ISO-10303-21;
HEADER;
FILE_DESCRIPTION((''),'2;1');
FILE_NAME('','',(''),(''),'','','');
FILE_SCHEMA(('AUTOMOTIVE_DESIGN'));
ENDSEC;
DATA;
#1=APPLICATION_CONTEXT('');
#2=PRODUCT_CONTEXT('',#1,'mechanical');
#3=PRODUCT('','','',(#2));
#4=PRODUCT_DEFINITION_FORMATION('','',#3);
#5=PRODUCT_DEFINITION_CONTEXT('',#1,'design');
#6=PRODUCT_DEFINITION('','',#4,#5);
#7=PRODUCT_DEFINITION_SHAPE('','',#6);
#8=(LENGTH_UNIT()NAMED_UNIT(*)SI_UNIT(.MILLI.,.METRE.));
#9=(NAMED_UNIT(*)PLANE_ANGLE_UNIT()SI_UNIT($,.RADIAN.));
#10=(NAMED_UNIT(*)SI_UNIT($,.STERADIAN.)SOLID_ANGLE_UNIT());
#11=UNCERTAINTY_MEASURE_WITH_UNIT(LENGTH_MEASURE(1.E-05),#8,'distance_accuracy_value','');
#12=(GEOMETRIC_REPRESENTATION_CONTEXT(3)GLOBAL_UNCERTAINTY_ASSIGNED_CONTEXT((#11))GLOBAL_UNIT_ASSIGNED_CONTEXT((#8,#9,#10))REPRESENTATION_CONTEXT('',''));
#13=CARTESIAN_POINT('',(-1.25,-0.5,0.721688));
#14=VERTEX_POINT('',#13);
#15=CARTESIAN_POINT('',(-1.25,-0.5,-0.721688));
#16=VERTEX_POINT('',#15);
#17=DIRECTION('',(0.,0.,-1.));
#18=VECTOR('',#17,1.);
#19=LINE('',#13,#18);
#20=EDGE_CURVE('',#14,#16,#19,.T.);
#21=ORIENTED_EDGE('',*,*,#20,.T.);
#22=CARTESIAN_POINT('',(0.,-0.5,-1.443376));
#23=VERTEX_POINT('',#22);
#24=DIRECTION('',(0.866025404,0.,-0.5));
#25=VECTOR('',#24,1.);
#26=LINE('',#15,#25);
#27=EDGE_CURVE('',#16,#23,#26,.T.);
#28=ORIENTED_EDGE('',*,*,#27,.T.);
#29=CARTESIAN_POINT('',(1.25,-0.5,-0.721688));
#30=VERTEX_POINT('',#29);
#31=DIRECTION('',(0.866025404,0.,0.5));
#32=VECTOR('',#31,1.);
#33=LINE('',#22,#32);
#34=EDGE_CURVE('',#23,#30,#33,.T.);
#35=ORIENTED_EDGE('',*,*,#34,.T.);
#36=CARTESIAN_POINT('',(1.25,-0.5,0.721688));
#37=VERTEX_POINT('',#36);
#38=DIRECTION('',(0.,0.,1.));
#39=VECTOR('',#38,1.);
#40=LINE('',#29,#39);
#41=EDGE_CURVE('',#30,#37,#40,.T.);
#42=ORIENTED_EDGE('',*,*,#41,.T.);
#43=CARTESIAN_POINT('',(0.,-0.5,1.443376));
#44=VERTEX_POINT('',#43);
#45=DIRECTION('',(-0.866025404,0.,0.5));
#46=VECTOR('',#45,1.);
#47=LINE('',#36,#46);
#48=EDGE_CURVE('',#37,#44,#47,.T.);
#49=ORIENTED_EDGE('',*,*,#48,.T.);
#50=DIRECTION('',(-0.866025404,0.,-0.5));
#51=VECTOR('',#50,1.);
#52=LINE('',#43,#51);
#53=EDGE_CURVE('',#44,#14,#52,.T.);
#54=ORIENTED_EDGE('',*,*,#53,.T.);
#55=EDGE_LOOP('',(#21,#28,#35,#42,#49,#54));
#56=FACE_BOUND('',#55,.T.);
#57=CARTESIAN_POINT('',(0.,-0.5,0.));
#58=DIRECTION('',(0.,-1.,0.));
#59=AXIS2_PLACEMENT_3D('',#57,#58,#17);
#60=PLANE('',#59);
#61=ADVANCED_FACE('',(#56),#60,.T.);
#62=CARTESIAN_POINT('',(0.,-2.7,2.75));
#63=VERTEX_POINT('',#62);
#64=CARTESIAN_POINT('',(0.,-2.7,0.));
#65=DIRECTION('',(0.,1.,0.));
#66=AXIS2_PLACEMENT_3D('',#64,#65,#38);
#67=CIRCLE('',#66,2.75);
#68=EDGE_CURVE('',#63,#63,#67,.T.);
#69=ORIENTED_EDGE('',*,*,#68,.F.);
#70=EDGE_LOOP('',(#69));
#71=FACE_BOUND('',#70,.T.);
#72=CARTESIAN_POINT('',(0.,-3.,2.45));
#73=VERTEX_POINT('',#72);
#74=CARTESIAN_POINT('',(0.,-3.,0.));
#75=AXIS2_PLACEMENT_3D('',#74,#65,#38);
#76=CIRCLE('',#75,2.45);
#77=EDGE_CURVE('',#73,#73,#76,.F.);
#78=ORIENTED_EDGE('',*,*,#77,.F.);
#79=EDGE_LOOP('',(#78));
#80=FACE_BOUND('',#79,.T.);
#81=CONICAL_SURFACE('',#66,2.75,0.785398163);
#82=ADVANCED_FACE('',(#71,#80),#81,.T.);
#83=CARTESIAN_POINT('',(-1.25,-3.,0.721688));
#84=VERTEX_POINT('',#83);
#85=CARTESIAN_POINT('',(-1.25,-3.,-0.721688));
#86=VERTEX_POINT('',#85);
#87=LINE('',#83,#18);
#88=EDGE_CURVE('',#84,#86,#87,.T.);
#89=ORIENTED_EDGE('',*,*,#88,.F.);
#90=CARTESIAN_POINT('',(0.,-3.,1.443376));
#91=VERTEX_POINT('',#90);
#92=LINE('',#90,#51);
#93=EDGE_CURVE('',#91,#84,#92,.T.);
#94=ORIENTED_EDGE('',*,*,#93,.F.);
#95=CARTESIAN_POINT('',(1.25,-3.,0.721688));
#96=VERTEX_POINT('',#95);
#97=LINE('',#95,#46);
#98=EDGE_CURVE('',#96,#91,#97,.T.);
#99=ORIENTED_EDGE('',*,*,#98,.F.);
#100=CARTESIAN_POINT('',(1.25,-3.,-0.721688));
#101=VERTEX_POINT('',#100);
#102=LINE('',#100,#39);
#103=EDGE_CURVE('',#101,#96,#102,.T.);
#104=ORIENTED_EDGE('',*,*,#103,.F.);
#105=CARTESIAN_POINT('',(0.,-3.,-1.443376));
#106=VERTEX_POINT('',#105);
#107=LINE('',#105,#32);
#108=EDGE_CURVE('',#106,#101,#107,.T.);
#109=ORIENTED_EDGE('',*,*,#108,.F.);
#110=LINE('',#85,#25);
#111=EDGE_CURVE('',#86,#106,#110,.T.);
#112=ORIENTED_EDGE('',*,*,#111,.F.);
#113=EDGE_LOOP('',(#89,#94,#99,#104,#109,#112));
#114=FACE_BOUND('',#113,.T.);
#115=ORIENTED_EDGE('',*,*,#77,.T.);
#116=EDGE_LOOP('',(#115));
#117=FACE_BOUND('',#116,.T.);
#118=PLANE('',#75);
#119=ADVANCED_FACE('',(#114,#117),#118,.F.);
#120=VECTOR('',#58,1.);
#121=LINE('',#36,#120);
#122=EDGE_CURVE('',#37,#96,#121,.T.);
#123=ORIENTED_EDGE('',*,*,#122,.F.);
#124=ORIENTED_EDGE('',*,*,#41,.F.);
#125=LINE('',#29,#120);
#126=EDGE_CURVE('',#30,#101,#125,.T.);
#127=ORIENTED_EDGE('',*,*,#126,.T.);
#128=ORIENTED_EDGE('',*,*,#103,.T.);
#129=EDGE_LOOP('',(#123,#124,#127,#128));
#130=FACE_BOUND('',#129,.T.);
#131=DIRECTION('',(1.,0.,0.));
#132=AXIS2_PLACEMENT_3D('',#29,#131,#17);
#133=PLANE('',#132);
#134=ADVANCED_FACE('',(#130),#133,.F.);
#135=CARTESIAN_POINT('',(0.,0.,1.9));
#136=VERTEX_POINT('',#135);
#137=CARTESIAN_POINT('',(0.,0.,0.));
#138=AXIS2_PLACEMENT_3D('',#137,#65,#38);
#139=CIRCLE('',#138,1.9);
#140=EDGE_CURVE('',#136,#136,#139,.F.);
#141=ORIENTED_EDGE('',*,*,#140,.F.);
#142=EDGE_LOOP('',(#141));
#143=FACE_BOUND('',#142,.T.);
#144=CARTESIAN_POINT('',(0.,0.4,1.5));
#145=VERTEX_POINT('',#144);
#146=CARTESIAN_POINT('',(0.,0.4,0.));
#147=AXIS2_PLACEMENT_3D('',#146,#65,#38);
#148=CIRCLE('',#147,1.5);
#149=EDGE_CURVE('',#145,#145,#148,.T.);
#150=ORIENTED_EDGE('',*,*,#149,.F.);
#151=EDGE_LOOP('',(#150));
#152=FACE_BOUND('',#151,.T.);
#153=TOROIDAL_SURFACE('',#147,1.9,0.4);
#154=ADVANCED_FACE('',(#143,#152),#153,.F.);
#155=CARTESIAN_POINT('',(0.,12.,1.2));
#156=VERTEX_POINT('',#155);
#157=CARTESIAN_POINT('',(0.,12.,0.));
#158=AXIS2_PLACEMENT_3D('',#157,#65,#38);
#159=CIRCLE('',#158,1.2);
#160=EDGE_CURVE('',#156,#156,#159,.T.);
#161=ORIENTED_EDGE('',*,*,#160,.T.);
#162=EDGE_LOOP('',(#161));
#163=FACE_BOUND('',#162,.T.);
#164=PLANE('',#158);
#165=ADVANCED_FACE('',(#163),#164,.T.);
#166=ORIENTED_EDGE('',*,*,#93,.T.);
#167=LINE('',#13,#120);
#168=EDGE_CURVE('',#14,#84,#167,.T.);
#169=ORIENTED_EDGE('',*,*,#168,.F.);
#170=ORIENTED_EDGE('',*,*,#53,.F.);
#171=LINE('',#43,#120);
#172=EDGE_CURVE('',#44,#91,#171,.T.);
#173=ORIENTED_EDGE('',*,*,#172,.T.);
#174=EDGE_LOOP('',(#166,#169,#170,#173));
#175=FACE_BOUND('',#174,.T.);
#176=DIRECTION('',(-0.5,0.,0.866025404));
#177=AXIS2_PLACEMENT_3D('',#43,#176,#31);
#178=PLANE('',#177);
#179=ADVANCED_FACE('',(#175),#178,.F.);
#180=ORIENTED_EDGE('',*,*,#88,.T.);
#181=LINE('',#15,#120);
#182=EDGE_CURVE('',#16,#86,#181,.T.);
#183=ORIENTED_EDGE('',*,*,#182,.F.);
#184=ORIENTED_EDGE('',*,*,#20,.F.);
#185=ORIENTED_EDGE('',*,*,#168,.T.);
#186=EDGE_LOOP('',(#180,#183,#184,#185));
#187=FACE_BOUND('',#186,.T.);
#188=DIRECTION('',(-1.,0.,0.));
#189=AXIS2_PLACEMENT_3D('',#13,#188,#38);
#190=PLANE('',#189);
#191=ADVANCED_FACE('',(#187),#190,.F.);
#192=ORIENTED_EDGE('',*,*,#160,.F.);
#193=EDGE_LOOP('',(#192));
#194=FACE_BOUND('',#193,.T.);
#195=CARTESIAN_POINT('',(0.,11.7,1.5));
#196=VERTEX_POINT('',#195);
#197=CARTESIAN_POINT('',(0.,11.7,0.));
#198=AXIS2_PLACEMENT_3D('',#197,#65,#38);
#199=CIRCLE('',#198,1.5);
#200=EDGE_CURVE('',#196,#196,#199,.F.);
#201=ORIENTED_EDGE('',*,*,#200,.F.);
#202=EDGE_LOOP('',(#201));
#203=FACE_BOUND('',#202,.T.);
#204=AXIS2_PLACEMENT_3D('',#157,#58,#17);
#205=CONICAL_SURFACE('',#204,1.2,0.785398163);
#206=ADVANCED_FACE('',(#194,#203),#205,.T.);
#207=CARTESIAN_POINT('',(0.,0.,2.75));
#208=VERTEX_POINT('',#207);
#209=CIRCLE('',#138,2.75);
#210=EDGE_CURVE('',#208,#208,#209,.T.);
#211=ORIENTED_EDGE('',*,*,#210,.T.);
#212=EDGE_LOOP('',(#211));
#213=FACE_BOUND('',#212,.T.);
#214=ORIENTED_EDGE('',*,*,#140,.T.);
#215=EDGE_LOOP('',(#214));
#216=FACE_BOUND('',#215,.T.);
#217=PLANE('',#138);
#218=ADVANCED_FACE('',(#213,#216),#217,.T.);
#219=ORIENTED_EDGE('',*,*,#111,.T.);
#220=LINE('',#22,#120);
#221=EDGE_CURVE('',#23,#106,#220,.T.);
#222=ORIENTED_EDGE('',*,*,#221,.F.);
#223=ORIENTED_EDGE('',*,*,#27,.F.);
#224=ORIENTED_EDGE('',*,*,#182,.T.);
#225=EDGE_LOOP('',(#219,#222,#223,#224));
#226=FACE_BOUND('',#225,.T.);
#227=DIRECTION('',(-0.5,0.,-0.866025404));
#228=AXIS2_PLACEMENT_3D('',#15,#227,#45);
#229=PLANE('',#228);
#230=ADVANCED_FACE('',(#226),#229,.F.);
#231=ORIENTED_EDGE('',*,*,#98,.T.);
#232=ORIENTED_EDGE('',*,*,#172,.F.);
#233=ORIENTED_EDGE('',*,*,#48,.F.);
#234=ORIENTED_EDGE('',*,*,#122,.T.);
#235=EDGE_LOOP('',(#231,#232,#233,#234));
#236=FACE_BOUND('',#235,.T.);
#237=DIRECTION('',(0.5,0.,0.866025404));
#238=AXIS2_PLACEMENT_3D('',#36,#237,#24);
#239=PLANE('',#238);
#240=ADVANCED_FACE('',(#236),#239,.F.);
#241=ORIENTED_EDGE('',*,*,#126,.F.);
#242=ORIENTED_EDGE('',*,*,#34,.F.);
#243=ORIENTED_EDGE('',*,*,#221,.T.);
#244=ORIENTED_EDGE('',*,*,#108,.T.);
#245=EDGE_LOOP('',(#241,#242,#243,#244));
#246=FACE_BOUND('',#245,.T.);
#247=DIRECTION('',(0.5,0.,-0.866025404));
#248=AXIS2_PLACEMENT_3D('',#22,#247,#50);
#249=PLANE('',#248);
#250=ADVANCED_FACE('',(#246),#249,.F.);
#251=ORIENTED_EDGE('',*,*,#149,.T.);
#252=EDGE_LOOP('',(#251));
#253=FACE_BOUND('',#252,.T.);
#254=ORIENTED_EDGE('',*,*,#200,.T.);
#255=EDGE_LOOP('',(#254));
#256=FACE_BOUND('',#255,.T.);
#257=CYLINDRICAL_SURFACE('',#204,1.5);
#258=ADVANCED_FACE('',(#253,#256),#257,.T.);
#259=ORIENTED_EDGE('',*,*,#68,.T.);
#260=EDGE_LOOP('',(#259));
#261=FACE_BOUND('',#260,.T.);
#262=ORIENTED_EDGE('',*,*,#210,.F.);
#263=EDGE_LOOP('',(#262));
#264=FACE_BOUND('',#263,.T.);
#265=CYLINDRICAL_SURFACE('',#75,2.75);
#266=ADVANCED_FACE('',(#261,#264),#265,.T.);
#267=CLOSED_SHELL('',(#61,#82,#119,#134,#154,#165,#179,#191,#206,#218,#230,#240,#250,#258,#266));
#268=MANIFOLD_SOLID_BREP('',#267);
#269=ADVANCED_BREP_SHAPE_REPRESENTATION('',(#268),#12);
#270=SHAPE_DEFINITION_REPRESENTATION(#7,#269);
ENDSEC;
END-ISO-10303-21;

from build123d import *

# Parameters (mm, degrees)
SKETCH2_R           = 1.5
BOSS_EXTRUDE1_DEPTH = 12
SKETCH3_R           = 2.75
BOSS_EXTRUDE2_DEPTH = 3
FILLET1_R           = 0.4
CHAMFER1_SIZE       = 0.3
CUT_EXTRUDE1_DEPTH  = 2.5


with BuildPart() as part:
    # Sketch2 → Boss-Extrude1 (new body)
    with BuildSketch(Plane(origin=(0, 0, 0), x_dir=(1, 0, 0), z_dir=(0, 1, 0))):
        with Locations(Location((0, 0, 0), (0, 0, 270))):
            Circle(SKETCH2_R)
    extrude(amount=BOSS_EXTRUDE1_DEPTH)

    # Sketch3 → Boss-Extrude2 (add)
    with BuildSketch(Plane(origin=(0, 0, 0), x_dir=(1, 0, 0), z_dir=(0, 1, 0))):
        with Locations(Location((0, 0, 0), (0, 0, 270))):
            Circle(SKETCH3_R)
    extrude(amount=-BOSS_EXTRUDE2_DEPTH)

    # Fillet1
    fillet1_edges = [part.edges().sort_by_distance(p)[0] for p in [
        (0, 0, -1.5),
    ]]
    fillet(fillet1_edges, radius=FILLET1_R)

    # Chamfer1
    chamfer1_edges = [part.edges().sort_by_distance(p)[0] for p in [
        (0, 12, -1.5),
        (0, -3, -2.75),
    ]]
    chamfer(chamfer1_edges, length=CHAMFER1_SIZE)

    # Sketch4 → Cut-Extrude1 (cut)
    with BuildSketch(Plane.XZ.offset(3)):
        Polygon((0, 1.443375673), (-1.25, 0.721687836), (-1.25, -0.721687836), (0, -1.443375673), (1.25, -0.721687836), (1.25, 0.721687836), align=None)
    extrude(amount=-CUT_EXTRUDE1_DEPTH, mode=Mode.SUBTRACT)


solid = part.part
